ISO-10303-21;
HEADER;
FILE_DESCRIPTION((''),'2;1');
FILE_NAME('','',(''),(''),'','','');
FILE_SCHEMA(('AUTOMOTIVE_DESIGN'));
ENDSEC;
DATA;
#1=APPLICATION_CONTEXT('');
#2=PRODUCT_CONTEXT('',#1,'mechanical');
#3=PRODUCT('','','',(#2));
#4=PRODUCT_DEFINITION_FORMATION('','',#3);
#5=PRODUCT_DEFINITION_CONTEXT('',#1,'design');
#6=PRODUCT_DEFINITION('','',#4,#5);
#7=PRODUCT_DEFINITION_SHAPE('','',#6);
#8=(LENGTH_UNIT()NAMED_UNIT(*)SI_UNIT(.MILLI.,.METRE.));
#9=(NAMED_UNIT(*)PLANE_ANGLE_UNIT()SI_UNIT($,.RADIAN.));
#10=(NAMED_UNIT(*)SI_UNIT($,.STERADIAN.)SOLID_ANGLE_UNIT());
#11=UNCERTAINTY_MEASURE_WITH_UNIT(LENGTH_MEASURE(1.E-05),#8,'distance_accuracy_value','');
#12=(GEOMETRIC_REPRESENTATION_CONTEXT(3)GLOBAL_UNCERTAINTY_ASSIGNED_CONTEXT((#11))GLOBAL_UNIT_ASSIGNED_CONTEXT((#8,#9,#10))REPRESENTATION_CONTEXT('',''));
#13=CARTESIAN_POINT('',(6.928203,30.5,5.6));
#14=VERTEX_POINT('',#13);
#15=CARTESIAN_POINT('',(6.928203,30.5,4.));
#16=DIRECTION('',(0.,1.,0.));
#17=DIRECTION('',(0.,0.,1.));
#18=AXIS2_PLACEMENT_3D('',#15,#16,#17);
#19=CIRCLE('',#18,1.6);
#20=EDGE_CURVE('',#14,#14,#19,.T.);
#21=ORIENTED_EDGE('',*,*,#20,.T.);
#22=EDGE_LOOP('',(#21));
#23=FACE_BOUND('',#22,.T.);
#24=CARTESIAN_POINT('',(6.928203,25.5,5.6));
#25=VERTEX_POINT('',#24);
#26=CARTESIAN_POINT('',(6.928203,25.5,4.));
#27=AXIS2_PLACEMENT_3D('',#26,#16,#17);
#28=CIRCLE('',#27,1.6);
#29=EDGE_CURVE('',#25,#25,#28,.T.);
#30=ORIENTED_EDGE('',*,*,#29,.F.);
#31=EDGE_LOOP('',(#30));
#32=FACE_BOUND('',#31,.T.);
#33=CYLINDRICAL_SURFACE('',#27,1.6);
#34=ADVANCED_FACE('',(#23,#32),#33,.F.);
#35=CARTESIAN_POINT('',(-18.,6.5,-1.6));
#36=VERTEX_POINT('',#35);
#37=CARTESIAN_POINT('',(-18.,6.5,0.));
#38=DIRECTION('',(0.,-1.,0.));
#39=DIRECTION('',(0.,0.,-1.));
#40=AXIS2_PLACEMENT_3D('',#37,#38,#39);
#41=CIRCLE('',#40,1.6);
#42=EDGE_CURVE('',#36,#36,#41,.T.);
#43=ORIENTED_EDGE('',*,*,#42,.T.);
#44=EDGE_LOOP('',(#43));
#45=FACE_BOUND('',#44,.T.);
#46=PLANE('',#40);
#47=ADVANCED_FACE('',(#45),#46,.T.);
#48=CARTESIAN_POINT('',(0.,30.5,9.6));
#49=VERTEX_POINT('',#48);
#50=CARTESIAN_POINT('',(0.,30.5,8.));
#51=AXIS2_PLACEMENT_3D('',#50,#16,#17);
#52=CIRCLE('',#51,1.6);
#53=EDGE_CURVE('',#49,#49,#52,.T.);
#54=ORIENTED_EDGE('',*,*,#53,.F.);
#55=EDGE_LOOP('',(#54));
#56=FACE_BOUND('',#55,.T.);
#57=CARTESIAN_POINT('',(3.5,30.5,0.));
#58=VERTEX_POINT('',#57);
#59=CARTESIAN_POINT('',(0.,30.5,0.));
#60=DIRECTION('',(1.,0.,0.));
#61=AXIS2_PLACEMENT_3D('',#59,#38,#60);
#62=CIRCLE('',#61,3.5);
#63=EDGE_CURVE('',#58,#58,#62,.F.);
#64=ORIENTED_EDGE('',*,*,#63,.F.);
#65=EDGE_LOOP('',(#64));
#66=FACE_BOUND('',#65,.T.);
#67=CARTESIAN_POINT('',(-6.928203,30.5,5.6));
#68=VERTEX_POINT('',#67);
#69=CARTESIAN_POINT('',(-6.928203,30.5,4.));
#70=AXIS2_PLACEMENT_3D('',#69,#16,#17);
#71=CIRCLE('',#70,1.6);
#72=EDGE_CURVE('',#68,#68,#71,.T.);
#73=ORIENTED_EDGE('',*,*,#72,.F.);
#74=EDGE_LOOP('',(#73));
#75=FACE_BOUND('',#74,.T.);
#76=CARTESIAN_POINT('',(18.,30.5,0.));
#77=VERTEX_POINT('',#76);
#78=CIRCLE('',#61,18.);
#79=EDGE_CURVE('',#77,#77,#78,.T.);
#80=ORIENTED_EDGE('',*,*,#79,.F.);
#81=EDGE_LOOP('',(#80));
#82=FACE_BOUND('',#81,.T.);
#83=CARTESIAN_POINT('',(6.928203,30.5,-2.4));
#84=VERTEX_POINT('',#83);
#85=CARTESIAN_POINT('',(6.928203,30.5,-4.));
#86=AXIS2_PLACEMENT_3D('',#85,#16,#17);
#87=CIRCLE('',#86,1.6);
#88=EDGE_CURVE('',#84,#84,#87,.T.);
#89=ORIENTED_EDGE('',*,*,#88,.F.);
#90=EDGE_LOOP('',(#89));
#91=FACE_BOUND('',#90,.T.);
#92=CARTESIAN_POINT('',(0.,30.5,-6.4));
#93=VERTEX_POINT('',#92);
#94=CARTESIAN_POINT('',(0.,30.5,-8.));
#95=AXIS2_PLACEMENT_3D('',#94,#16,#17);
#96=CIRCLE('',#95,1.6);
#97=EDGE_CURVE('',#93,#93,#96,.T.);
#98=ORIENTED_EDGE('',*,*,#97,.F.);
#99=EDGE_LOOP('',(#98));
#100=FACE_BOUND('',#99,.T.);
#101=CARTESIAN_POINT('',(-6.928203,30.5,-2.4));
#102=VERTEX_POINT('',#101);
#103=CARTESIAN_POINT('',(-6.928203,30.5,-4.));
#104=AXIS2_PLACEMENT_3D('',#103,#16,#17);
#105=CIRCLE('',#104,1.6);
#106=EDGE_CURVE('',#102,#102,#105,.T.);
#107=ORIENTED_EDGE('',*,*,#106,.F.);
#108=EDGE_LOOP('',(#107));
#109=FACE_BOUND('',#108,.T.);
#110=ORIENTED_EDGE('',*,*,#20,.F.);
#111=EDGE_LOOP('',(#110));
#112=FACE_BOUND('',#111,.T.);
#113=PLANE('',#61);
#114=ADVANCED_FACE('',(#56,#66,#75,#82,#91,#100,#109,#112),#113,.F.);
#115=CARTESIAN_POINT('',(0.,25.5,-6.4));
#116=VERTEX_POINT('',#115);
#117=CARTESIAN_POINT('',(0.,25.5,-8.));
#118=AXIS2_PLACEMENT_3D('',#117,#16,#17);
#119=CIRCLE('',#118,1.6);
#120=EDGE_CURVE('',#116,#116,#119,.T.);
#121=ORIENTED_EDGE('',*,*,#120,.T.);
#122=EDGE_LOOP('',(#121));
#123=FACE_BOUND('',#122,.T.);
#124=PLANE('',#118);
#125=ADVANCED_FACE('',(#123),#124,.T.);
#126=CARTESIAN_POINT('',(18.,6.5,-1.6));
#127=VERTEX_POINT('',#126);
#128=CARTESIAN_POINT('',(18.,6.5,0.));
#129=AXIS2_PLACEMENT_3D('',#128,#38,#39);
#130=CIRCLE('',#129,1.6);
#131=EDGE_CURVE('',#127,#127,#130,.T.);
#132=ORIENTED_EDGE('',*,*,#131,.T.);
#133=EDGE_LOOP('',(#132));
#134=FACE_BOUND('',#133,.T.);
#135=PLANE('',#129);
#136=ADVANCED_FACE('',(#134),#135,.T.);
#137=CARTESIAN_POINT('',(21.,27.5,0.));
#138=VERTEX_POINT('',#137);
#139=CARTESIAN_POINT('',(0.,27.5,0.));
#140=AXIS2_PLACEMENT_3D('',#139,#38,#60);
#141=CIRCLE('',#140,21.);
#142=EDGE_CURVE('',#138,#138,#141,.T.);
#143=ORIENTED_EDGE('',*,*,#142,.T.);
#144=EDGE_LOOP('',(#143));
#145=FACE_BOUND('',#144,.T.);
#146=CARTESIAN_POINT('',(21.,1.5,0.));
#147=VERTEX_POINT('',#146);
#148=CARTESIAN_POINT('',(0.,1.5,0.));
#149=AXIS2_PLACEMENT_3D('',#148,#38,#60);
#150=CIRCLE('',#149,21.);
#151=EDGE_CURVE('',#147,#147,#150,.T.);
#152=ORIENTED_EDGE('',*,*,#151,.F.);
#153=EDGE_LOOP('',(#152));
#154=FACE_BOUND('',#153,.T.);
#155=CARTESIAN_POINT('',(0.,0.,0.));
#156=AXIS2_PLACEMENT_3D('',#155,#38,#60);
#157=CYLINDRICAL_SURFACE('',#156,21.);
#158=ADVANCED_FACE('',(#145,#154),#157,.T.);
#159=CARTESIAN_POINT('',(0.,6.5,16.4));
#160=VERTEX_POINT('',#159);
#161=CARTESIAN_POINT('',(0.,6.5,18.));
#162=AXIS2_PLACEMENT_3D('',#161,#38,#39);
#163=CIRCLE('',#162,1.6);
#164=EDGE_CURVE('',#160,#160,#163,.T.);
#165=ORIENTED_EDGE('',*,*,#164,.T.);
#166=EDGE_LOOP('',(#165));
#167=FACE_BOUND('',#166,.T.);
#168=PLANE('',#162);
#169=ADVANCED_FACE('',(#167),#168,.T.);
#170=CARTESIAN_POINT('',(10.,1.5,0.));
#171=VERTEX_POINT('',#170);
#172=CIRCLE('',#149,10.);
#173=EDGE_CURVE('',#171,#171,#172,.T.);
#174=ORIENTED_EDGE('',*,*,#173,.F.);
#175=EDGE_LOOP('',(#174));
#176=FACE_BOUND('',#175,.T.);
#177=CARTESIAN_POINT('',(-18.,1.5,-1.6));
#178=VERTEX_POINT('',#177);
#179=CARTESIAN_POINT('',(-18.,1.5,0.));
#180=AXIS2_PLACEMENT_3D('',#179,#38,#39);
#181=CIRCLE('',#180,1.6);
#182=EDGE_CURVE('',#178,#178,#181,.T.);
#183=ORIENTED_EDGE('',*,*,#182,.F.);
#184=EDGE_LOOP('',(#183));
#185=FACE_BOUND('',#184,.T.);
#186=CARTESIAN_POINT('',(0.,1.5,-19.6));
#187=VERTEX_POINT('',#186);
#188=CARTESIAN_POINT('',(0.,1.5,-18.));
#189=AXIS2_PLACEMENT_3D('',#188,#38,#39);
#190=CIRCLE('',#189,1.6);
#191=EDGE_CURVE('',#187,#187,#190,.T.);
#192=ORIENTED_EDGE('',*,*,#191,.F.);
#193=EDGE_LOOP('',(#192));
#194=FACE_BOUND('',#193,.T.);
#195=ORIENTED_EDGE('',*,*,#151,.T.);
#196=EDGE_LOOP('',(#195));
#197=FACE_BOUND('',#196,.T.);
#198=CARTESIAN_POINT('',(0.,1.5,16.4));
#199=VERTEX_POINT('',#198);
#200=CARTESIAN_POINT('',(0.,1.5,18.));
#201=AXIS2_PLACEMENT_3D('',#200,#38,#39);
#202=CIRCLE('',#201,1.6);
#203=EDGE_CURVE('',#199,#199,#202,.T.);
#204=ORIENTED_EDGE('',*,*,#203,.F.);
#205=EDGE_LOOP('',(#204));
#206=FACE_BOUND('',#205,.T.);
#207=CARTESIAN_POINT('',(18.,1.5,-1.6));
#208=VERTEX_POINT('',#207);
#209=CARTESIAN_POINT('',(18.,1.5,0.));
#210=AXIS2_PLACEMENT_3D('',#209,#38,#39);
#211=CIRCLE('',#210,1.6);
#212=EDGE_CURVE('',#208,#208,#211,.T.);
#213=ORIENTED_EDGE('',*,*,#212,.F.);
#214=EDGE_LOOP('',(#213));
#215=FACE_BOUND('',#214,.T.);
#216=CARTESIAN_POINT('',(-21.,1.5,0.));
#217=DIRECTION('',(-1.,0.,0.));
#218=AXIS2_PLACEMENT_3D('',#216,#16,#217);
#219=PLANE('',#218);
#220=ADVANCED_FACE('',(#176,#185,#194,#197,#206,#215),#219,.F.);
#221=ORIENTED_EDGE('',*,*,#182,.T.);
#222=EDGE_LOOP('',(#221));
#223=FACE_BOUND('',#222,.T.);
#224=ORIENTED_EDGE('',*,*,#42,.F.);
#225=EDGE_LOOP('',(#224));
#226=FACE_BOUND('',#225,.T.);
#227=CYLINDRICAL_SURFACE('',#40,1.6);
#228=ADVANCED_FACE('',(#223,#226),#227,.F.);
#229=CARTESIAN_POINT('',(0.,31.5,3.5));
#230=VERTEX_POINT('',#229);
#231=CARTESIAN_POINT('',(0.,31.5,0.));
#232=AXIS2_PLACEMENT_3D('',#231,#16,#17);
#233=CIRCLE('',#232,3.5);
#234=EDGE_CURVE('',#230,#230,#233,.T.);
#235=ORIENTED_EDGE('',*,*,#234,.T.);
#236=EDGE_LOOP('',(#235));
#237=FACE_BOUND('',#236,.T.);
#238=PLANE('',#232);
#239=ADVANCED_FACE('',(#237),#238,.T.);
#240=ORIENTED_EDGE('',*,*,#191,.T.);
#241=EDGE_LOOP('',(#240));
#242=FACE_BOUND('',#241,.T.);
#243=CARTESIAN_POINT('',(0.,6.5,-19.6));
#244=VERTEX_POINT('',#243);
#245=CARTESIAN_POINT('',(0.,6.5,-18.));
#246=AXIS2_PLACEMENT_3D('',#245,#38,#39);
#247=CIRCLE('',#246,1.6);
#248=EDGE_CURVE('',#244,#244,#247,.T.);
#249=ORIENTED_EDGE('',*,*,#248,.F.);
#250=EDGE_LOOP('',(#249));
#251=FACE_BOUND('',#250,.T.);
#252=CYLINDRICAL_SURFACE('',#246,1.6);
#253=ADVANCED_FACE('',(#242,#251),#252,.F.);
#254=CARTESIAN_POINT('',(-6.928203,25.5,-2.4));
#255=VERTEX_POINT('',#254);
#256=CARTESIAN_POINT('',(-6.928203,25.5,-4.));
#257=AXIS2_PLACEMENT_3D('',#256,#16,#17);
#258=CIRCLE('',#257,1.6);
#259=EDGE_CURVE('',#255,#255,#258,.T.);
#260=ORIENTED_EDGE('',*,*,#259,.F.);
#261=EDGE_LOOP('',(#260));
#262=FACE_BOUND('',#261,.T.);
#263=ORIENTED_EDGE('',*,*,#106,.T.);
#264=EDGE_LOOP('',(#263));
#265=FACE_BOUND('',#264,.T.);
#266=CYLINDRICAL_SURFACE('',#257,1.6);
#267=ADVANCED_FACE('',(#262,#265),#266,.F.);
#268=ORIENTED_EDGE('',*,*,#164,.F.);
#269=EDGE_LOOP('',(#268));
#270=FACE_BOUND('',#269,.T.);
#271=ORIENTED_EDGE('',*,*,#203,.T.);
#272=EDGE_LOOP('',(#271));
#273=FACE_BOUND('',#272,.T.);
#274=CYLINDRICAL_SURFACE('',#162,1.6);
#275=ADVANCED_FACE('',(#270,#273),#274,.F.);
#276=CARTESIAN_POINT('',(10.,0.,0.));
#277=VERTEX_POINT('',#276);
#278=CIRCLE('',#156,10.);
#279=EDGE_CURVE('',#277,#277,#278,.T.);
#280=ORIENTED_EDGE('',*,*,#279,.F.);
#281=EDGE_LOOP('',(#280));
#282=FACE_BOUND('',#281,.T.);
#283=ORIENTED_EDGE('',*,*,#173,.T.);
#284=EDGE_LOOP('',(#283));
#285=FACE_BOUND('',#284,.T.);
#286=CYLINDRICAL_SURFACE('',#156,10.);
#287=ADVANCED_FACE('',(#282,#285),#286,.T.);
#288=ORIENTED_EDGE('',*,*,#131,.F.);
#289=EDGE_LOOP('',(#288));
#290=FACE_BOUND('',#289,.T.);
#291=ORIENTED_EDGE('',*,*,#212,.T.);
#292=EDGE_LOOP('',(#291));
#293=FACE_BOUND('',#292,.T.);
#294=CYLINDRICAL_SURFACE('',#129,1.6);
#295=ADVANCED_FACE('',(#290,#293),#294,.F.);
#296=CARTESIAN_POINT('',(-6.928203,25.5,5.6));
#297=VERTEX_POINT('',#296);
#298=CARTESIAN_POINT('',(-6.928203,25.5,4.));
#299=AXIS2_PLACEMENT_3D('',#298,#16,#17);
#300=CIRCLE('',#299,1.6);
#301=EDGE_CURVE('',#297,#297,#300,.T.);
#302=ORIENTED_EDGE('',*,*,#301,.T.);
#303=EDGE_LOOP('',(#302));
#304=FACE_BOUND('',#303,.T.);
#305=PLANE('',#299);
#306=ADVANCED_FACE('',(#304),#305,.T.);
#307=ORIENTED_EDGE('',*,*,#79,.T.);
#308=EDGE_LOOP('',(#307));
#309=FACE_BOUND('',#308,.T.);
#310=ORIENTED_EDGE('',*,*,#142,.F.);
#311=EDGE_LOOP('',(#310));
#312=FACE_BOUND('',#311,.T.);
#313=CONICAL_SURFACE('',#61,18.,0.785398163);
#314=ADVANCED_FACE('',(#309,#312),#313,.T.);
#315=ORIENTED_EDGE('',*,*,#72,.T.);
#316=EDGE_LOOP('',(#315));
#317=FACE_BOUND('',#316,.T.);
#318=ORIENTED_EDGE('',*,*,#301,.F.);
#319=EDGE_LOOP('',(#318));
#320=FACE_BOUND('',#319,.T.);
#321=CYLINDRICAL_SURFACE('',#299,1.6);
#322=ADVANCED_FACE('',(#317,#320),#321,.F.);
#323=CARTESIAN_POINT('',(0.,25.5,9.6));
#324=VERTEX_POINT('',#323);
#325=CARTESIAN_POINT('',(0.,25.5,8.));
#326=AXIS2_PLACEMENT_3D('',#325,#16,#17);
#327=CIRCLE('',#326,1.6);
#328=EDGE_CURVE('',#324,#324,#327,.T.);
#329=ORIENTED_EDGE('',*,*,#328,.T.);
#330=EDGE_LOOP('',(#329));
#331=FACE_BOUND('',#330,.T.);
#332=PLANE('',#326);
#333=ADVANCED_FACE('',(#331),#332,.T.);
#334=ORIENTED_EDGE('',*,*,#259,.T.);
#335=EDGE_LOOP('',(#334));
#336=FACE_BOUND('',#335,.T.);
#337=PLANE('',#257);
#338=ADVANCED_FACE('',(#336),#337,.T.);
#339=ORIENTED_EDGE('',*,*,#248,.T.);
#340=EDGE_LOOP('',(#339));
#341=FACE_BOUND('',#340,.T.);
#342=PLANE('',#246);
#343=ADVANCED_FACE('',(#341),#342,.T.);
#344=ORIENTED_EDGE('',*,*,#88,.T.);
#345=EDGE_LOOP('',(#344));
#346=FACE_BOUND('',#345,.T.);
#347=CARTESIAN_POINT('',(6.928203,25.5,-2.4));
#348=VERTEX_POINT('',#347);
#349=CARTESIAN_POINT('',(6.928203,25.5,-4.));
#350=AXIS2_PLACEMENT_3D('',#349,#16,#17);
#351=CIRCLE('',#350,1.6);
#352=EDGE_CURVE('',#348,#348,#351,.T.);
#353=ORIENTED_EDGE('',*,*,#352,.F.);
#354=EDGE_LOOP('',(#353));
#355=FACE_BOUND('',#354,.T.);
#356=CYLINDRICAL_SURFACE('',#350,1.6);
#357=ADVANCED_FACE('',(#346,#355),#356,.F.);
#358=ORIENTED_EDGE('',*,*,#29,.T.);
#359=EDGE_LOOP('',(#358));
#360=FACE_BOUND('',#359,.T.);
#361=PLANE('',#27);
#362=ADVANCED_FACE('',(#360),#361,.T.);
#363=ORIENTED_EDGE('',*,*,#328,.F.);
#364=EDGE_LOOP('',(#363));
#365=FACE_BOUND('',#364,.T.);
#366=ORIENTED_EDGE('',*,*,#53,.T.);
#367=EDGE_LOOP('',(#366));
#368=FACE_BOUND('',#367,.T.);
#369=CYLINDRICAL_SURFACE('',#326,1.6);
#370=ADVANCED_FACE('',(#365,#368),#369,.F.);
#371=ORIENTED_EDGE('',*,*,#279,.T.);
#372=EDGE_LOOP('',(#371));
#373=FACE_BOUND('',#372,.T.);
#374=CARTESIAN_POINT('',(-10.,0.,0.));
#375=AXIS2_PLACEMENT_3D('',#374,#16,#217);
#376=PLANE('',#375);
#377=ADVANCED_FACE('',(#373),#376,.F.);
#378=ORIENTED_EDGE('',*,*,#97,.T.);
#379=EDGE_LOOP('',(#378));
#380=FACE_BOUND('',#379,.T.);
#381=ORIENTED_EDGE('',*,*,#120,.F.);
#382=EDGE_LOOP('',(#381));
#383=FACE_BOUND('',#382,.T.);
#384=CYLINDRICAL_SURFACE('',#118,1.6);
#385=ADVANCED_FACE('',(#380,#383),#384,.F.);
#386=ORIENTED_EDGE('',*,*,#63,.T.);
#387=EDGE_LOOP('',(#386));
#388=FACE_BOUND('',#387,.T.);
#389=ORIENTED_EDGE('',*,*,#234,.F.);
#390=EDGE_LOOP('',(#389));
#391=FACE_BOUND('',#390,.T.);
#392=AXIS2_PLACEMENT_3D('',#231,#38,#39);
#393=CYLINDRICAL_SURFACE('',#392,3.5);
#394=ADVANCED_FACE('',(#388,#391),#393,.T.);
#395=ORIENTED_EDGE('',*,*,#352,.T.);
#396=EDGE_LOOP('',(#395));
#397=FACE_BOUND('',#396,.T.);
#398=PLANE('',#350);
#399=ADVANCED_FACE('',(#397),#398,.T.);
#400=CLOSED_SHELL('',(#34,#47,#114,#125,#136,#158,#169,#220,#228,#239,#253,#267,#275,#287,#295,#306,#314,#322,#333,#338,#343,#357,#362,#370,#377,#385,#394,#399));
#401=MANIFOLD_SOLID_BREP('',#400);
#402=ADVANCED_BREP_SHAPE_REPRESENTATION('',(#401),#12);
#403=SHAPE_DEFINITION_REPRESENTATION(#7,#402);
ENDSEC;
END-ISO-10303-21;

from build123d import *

# Parameters (mm, degrees)
SKETCH_5_R          = 1.6
CUT_EXTRUDE_1_DEPTH = 5
SKETCH_6_R          = 1.6
CUT_EXTRUDE_2_DEPTH = 5
SKETCH_7_R          = 3.5
EXTRUDE_1_DEPTH     = 1


with BuildPart() as part:
    # 草图4 → 旋转1 (revolve)
    with BuildSketch(Plane.XY, mode=Mode.PRIVATE) as revolve_1_sk:
        Polygon((0, 30.5), (-18, 30.5), (-21, 27.5), (-21, 1.5), (-10, 1.5), (-10, 0), (0, 0), align=None)
    revolve(revolve_1_sk.sketch.rotate(Axis((0, 0, 0), (0, 1, 0)), 180), axis=Axis((0, 0, 0), (0, 1, 0)))

    # 草图5 → 切除-拉伸1 (cut)
    with BuildSketch(Plane(origin=(0, 30.5, 0), x_dir=(1, 0, 0), z_dir=(0, 1, 0))):
        with Locations(Location((0, 8, 0), (0, 0, 270))):
            Circle(SKETCH_5_R)
        with Locations(Location((6.92820323, 4, 0), (0, 0, 270))):
            Circle(SKETCH_5_R)
        with Locations(Location((6.92820323, -4, 0), (0, 0, 270))):
            Circle(SKETCH_5_R)
        with Locations(Location((0, -8, 0), (0, 0, 270))):
            Circle(SKETCH_5_R)
        with Locations(Location((-6.92820323, -4, 0), (0, 0, 270))):
            Circle(SKETCH_5_R)
        with Locations(Location((-6.92820323, 4, 0), (0, 0, 270))):
            Circle(SKETCH_5_R)
    extrude(amount=-CUT_EXTRUDE_1_DEPTH, mode=Mode.SUBTRACT)

    # 草图6 → 切除-拉伸2 (cut)
    with BuildSketch(Plane.XZ.offset(-1.5)):
        with Locations(Location((0, 18, 0), (0, 0, 270))):
            Circle(SKETCH_6_R)
        with Locations(Location((18, 0, 0), (0, 0, 270))):
            Circle(SKETCH_6_R)
        with Locations(Location((0, -18, 0), (0, 0, 270))):
            Circle(SKETCH_6_R)
        with Locations(Location((-18, 0, 0), (0, 0, 270))):
            Circle(SKETCH_6_R)
    extrude(amount=-CUT_EXTRUDE_2_DEPTH, mode=Mode.SUBTRACT)

    # 草图7 → 凸台-拉伸1 (add)
    with BuildSketch(Plane(origin=(0, 30.5, 0), x_dir=(1, 0, 0), z_dir=(0, 1, 0))):
        Circle(SKETCH_7_R)
    extrude(amount=EXTRUDE_1_DEPTH)


solid = part.part
